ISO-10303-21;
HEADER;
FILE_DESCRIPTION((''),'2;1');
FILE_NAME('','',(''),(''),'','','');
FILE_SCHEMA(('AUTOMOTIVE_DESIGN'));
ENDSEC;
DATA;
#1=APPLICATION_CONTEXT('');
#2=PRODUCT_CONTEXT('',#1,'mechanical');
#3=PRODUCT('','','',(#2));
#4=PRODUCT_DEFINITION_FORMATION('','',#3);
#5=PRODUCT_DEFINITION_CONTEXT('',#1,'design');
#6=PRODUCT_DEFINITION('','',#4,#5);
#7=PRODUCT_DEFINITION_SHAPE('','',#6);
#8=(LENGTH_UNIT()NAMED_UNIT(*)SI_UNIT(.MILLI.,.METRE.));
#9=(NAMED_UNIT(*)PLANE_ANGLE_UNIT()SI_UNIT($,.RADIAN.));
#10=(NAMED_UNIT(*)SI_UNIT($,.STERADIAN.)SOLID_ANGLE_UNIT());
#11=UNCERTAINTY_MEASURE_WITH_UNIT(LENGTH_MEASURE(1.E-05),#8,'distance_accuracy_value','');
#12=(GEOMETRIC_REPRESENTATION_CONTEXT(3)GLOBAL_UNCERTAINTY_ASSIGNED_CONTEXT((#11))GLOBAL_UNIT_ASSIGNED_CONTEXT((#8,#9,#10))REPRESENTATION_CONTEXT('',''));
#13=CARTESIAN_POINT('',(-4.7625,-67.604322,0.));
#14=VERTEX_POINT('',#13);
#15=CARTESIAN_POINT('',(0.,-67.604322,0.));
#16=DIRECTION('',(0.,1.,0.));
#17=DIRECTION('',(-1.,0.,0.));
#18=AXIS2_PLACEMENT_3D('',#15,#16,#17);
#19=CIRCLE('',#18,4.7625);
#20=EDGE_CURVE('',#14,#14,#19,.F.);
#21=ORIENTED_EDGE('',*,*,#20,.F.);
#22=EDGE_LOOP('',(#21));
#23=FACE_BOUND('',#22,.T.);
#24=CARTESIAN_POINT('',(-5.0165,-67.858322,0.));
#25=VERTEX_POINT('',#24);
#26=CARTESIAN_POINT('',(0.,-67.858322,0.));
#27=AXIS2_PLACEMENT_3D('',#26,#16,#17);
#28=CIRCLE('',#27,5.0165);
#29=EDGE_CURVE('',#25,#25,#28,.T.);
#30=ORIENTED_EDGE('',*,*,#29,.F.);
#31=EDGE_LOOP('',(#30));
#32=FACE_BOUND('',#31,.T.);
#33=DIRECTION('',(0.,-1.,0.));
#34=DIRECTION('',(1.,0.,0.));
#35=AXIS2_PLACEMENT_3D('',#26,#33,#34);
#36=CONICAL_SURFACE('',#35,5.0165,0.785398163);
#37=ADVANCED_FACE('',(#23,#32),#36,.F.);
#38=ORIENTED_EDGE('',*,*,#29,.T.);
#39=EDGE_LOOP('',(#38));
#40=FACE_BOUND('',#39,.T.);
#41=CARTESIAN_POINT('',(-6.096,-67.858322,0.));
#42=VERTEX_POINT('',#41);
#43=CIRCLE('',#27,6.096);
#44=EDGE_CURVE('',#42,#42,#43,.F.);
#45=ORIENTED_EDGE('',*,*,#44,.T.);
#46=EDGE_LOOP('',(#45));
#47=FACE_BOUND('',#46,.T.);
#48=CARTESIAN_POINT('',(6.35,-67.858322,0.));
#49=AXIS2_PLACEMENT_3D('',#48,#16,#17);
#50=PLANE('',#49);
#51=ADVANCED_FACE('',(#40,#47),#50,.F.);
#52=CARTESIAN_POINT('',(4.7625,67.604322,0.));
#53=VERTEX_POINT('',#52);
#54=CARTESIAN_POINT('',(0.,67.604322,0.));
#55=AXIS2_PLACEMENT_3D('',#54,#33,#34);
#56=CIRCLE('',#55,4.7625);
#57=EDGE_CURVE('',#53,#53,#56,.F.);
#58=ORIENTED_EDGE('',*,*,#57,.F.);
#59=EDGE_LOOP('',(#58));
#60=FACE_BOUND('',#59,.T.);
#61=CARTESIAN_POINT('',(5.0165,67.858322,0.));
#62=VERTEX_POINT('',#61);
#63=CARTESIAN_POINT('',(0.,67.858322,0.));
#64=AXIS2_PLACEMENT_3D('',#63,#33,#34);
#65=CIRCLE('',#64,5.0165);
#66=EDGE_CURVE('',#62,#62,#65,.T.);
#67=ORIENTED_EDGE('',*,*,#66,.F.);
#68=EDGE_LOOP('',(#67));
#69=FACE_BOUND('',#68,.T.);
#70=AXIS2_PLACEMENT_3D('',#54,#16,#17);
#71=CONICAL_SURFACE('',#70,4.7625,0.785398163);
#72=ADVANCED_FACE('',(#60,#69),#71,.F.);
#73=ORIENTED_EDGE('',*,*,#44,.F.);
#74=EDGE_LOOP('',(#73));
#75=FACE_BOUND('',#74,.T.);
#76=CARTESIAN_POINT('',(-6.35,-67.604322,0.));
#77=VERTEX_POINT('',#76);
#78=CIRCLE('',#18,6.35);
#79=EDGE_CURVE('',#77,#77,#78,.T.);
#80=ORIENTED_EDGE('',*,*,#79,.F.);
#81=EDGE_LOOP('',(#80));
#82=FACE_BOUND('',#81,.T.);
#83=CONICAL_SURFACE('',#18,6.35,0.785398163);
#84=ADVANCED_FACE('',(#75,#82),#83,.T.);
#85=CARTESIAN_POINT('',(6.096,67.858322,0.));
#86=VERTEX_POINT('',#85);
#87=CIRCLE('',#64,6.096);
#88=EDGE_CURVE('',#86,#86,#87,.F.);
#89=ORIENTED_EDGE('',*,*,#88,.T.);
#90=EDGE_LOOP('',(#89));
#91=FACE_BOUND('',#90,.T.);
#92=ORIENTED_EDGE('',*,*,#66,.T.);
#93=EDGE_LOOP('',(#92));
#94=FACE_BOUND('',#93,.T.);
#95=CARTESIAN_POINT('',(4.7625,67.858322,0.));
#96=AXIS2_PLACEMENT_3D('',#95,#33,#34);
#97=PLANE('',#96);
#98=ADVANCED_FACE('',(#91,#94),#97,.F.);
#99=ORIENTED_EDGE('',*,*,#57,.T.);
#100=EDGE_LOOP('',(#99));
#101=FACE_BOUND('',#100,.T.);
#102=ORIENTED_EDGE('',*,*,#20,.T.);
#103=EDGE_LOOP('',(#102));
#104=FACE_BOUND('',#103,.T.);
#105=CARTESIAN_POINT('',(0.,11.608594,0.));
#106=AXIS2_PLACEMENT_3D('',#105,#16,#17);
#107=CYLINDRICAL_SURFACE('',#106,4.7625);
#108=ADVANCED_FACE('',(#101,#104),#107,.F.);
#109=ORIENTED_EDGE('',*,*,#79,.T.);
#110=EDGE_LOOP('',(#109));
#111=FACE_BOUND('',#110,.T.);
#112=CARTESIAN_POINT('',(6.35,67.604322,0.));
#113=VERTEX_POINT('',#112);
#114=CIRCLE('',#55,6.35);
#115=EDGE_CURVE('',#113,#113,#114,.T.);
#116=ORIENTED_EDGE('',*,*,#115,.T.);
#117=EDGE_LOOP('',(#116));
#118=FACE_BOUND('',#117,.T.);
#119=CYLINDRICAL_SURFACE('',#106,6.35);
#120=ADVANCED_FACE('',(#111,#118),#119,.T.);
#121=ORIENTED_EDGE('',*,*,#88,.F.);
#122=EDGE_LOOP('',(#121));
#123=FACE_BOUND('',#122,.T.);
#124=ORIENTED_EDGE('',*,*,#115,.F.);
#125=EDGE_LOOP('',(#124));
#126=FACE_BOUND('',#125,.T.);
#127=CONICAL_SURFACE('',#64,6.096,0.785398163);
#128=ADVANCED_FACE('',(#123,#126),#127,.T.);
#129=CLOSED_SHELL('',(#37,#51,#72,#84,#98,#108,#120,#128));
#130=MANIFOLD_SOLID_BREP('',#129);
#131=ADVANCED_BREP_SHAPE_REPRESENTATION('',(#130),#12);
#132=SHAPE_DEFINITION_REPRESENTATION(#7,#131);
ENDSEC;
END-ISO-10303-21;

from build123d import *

# Parameters (mm, degrees)
SKETCH1_W     = 1.5875
SKETCH1_H     = 135.716645
CHAMFER1_SIZE = 0.254


with BuildPart() as part:
    # Sketch1 → Revolve1 (revolve)
    with BuildSketch(Plane.XY):
        with Locations((5.55625, 0)):
            Rectangle(SKETCH1_W, SKETCH1_H)
    revolve(axis=Axis((0, 11.60859375, 0), (0, -1, 0)))

    # Chamfer1
    chamfer1_edges = [part.edges().sort_by_distance(p)[0] for p in [
        (-4.7625, -67.8583225, 0),
        (-6.35, -67.8583225, 0),
        (-6.35, 67.8583225, 0),
        (-4.7625, 67.8583225, 0),
    ]]
    chamfer(chamfer1_edges, length=CHAMFER1_SIZE)


solid = part.part
